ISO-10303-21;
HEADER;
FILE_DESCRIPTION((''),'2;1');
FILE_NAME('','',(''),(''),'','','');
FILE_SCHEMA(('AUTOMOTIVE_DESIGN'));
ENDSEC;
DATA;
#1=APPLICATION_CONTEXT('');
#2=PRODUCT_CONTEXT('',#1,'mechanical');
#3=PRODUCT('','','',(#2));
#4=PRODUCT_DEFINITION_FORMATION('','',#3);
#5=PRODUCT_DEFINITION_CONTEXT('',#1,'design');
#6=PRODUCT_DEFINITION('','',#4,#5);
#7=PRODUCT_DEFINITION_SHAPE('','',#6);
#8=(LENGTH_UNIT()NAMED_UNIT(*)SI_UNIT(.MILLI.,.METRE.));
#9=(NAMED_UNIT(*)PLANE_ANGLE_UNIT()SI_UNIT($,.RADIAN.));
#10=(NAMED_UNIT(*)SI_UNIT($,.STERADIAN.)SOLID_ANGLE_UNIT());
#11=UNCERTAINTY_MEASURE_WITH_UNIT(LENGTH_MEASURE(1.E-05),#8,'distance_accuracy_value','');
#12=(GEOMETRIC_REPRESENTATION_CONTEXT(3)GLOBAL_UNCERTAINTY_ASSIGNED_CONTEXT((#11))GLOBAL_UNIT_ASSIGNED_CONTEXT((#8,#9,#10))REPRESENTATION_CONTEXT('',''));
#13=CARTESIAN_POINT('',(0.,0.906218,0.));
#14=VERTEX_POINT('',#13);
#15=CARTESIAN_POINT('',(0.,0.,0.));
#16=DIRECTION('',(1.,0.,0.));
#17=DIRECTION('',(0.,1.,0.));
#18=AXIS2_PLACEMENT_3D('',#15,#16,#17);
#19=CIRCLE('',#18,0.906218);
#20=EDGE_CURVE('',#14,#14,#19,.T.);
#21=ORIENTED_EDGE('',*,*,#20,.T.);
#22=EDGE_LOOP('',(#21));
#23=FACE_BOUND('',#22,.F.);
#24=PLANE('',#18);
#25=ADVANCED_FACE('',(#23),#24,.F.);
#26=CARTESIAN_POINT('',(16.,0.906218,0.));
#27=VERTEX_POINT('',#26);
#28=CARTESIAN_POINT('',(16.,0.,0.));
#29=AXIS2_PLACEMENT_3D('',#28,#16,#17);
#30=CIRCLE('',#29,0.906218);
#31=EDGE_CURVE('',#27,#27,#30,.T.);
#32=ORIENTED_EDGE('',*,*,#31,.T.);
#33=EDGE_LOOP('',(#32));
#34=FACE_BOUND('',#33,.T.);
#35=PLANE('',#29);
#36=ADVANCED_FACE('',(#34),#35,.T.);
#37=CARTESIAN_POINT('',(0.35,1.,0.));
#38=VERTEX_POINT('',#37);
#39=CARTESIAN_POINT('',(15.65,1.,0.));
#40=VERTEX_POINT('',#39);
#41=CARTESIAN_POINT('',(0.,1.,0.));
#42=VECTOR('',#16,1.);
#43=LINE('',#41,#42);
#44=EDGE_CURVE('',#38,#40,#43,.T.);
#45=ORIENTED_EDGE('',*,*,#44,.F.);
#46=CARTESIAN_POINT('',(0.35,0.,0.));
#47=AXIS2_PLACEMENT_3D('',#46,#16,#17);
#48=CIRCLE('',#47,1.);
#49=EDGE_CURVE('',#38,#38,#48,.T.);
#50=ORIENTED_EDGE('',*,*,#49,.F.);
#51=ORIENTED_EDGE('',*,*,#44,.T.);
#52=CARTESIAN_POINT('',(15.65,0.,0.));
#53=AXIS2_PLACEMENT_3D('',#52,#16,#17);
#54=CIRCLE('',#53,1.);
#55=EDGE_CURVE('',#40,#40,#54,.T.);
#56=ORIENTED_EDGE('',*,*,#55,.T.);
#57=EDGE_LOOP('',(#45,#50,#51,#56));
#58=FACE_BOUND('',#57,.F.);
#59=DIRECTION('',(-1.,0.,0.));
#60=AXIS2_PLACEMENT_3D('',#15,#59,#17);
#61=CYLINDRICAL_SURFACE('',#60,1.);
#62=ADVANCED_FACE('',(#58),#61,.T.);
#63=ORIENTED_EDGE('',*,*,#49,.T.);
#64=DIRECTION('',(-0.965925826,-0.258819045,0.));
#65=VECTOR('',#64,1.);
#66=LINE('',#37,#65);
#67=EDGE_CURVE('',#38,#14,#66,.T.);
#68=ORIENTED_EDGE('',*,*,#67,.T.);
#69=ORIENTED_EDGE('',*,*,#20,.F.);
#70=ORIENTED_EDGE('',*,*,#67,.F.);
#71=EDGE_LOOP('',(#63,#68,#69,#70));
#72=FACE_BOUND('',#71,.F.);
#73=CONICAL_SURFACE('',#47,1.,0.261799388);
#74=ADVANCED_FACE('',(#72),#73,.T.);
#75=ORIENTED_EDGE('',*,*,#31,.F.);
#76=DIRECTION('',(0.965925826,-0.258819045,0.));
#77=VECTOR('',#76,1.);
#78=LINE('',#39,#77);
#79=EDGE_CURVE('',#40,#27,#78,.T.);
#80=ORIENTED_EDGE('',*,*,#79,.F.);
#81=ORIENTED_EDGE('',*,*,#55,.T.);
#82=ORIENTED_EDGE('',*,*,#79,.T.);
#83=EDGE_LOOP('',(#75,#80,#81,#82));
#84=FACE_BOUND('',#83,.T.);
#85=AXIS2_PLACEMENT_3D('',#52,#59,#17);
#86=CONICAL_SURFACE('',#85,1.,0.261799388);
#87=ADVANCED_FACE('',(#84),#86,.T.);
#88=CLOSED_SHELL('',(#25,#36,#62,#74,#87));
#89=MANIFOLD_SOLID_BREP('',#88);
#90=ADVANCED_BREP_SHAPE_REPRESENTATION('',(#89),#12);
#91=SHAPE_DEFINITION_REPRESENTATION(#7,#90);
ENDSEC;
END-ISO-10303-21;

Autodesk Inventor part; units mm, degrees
ref_plane "YZ Plane" through (0, 0, 0) normal (1, 0, 0) x (0, 1, 0)
ref_plane "XZ Plane" through (0, 0, 0) normal (0, 1, 0) x (-1, 0, 0)
ref_plane "XY Plane" through (0, 0, 0) normal (0, 0, 1) x (1, 0, 0)
sketch "Skizze" plane through (0, 0, 0) normal (1, 0, 0) x (0, 1, 0)
  circle A0 centre (0, 0) radius 1
  dimension "d1" = 2
extrude "Körper" add sketch "Skizze" along normal blind 16
chamfer "Fase1" distance 0.35 angle 15 1 edges at (0, -1, 0) measured on face at (10.6667, 0.9968, -0.0805)
chamfer "Fase2" distance 0.35 angle 15 1 edges at (16, -1, 0) measured on face at (10.7833, 0.9968, -0.0805)
equation "\"d1\" = NND"
equation "\"d2\" = NLG"
equation "\"d4\" = PHH"
equation "\"d5\" = FAWI"
equation "\"d11\" = PHH"
equation "\"d8\" = PHH"
equation "\"d9\" = FAWI"
equation "\"d12\" = PHH"
equation "\"NND\" = 2"
equation "\"NLG\" = 16"
equation "\"PHH\" = 0.35"
equation "\"FAWI\" = 15deg"
equation "\"KAH\" = 0"
properties part number "ISO 2338 - 2 m6 x 16" material "Edelstahl, austenitisch"
